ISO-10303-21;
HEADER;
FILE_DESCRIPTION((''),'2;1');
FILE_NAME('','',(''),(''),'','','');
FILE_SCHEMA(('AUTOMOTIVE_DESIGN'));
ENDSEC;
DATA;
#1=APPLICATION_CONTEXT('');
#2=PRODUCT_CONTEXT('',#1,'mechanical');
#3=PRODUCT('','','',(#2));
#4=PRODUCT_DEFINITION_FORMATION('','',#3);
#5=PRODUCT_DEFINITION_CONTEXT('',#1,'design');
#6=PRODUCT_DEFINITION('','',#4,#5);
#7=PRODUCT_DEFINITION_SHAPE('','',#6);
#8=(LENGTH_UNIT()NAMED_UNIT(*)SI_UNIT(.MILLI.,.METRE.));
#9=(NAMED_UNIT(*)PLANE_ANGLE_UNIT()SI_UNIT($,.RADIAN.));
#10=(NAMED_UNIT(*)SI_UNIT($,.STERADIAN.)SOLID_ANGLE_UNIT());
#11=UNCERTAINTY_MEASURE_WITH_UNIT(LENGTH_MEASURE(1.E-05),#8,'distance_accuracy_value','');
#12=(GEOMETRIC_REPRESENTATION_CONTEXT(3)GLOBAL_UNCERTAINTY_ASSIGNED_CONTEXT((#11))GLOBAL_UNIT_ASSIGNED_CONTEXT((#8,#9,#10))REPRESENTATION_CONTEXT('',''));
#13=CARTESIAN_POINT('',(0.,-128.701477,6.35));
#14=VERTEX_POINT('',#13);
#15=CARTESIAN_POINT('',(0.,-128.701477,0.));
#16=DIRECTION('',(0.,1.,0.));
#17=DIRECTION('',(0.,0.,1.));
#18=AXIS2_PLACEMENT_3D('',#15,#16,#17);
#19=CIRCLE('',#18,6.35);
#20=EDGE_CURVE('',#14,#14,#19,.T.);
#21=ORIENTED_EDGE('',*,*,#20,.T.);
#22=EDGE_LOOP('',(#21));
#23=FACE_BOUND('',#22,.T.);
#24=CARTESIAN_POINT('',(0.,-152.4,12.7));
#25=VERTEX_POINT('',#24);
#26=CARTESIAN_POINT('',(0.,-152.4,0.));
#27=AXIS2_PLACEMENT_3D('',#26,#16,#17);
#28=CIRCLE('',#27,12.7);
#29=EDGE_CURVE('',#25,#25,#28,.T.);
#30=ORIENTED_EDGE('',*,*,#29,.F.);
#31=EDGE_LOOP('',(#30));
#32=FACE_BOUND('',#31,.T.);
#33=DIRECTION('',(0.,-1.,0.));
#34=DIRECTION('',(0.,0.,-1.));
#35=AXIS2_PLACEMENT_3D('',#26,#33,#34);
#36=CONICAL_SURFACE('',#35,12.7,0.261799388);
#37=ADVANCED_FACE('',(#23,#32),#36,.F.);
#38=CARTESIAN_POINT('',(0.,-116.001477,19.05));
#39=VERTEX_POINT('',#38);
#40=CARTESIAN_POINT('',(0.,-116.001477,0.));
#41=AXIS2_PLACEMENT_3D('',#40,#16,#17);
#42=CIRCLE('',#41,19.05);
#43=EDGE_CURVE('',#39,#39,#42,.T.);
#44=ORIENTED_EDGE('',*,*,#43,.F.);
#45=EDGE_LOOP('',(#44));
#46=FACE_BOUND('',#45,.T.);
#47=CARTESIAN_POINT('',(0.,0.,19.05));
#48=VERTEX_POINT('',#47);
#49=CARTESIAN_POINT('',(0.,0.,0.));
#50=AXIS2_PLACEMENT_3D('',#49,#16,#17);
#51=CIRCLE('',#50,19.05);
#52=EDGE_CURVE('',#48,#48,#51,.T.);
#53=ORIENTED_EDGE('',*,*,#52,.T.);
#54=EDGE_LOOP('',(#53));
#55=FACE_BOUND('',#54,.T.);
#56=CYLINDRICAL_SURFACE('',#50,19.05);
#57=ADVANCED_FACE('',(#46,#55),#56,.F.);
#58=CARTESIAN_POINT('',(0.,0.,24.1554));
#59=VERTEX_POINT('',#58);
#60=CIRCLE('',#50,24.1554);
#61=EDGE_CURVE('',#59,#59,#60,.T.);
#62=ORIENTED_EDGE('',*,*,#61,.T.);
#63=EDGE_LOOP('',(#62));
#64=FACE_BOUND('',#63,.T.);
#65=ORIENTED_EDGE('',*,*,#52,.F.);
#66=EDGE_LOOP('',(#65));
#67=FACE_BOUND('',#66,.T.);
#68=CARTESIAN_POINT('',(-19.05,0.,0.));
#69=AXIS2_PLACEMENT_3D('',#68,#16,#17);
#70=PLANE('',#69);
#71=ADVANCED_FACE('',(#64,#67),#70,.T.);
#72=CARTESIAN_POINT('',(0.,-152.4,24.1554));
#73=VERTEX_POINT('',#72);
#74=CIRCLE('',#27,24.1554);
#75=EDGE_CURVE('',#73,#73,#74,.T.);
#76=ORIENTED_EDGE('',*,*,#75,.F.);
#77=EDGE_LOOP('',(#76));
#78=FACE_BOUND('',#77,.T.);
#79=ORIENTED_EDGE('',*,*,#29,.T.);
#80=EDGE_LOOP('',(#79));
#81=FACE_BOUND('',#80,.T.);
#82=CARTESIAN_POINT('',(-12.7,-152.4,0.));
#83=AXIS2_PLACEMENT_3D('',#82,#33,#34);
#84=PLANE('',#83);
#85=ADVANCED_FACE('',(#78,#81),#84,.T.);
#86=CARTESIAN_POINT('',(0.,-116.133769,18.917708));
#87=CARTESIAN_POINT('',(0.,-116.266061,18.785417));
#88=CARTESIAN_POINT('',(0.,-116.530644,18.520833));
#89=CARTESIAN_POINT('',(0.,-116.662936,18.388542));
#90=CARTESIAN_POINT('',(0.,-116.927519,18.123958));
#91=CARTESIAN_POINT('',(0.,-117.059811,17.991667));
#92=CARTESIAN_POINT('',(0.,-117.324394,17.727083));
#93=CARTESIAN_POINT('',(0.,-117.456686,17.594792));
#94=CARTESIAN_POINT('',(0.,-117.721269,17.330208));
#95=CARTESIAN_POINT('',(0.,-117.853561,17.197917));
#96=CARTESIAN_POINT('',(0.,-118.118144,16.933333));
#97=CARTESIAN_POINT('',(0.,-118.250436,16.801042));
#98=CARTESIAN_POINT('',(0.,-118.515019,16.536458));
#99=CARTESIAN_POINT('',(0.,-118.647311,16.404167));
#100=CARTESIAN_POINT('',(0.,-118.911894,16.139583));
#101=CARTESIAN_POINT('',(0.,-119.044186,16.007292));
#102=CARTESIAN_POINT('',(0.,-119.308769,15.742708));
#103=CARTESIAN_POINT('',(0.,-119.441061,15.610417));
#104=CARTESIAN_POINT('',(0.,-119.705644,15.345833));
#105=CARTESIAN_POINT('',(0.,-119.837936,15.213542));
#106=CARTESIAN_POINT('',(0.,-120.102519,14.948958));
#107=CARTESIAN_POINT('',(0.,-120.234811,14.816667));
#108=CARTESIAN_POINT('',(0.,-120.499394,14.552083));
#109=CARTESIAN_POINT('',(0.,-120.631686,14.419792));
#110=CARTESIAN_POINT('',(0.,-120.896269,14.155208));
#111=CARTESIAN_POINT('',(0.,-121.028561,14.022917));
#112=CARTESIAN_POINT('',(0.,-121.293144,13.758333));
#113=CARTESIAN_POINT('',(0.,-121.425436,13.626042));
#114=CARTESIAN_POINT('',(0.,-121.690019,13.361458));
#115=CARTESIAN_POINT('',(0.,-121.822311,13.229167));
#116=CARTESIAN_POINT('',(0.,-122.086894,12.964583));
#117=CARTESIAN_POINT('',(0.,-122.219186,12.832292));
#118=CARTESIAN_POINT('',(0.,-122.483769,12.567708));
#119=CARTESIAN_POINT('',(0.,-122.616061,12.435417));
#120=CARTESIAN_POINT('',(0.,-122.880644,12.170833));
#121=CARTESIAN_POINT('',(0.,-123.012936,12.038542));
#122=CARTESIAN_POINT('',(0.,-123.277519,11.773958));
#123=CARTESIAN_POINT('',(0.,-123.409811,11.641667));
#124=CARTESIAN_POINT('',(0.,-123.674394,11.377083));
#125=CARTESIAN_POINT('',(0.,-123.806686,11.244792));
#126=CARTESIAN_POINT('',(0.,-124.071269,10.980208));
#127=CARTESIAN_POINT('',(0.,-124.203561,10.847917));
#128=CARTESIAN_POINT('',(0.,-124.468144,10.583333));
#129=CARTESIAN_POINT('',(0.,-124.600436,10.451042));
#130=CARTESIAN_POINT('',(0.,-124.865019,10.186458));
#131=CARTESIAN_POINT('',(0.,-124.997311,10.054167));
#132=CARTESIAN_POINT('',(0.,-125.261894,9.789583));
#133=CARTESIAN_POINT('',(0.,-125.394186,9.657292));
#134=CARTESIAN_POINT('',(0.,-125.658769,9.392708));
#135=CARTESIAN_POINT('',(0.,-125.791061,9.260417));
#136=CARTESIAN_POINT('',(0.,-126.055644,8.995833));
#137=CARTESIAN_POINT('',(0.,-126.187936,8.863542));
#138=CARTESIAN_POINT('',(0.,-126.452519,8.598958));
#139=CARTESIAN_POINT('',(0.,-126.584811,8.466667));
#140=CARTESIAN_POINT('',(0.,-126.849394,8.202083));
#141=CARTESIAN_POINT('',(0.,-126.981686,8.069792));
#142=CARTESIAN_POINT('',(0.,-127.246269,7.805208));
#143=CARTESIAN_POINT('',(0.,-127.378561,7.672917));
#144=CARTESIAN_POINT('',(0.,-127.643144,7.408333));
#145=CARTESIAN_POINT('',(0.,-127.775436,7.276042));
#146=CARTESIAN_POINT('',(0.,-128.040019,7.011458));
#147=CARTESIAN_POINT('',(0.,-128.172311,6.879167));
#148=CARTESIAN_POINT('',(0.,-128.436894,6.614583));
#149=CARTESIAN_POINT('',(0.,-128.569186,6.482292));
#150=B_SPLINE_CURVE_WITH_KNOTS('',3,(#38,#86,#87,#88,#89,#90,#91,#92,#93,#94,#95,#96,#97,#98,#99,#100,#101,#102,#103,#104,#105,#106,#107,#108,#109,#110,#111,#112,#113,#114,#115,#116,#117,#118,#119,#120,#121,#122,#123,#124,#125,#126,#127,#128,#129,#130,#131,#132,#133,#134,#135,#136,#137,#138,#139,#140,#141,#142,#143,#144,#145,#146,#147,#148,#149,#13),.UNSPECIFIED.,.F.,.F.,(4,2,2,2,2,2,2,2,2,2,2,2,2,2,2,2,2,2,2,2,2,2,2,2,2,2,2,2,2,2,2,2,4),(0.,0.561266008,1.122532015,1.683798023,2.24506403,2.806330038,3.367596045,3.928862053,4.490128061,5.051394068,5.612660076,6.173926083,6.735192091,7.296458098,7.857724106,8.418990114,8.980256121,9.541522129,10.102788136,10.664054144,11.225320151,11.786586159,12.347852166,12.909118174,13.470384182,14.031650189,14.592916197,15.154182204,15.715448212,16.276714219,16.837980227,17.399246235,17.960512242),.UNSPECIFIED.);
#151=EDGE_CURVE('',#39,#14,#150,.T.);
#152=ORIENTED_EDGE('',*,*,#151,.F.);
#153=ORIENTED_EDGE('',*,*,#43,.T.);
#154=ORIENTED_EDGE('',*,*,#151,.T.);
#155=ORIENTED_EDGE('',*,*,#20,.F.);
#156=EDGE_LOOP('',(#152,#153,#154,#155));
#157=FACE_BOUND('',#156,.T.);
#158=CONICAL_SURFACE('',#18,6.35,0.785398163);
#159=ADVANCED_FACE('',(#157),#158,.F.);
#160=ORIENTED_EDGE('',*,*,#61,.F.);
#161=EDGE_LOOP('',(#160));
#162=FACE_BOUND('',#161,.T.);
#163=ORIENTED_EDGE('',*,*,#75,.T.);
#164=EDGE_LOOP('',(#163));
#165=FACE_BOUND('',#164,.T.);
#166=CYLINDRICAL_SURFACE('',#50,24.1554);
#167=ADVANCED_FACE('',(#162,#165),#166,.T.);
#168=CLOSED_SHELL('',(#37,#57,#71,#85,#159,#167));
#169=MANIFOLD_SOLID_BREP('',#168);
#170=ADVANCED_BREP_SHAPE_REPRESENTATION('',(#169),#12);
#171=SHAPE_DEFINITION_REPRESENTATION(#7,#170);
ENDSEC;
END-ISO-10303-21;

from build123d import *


with BuildPart() as part:
    # Sketch1 → body (revolve)
    with BuildSketch(Plane.XY, mode=Mode.PRIVATE) as body_sk:
        Polygon((-24.1554, 0), (-24.1554, -152.4), (-12.7, -152.4), (-6.35, -128.701477372), (-19.05, -116.001477372), (-19.05, 0), align=None)
    revolve(body_sk.sketch.rotate(Axis((0, 0, 0), (0, -1, 0)), 270), axis=Axis((0, 0, 0), (0, -1, 0)))


solid = part.part
